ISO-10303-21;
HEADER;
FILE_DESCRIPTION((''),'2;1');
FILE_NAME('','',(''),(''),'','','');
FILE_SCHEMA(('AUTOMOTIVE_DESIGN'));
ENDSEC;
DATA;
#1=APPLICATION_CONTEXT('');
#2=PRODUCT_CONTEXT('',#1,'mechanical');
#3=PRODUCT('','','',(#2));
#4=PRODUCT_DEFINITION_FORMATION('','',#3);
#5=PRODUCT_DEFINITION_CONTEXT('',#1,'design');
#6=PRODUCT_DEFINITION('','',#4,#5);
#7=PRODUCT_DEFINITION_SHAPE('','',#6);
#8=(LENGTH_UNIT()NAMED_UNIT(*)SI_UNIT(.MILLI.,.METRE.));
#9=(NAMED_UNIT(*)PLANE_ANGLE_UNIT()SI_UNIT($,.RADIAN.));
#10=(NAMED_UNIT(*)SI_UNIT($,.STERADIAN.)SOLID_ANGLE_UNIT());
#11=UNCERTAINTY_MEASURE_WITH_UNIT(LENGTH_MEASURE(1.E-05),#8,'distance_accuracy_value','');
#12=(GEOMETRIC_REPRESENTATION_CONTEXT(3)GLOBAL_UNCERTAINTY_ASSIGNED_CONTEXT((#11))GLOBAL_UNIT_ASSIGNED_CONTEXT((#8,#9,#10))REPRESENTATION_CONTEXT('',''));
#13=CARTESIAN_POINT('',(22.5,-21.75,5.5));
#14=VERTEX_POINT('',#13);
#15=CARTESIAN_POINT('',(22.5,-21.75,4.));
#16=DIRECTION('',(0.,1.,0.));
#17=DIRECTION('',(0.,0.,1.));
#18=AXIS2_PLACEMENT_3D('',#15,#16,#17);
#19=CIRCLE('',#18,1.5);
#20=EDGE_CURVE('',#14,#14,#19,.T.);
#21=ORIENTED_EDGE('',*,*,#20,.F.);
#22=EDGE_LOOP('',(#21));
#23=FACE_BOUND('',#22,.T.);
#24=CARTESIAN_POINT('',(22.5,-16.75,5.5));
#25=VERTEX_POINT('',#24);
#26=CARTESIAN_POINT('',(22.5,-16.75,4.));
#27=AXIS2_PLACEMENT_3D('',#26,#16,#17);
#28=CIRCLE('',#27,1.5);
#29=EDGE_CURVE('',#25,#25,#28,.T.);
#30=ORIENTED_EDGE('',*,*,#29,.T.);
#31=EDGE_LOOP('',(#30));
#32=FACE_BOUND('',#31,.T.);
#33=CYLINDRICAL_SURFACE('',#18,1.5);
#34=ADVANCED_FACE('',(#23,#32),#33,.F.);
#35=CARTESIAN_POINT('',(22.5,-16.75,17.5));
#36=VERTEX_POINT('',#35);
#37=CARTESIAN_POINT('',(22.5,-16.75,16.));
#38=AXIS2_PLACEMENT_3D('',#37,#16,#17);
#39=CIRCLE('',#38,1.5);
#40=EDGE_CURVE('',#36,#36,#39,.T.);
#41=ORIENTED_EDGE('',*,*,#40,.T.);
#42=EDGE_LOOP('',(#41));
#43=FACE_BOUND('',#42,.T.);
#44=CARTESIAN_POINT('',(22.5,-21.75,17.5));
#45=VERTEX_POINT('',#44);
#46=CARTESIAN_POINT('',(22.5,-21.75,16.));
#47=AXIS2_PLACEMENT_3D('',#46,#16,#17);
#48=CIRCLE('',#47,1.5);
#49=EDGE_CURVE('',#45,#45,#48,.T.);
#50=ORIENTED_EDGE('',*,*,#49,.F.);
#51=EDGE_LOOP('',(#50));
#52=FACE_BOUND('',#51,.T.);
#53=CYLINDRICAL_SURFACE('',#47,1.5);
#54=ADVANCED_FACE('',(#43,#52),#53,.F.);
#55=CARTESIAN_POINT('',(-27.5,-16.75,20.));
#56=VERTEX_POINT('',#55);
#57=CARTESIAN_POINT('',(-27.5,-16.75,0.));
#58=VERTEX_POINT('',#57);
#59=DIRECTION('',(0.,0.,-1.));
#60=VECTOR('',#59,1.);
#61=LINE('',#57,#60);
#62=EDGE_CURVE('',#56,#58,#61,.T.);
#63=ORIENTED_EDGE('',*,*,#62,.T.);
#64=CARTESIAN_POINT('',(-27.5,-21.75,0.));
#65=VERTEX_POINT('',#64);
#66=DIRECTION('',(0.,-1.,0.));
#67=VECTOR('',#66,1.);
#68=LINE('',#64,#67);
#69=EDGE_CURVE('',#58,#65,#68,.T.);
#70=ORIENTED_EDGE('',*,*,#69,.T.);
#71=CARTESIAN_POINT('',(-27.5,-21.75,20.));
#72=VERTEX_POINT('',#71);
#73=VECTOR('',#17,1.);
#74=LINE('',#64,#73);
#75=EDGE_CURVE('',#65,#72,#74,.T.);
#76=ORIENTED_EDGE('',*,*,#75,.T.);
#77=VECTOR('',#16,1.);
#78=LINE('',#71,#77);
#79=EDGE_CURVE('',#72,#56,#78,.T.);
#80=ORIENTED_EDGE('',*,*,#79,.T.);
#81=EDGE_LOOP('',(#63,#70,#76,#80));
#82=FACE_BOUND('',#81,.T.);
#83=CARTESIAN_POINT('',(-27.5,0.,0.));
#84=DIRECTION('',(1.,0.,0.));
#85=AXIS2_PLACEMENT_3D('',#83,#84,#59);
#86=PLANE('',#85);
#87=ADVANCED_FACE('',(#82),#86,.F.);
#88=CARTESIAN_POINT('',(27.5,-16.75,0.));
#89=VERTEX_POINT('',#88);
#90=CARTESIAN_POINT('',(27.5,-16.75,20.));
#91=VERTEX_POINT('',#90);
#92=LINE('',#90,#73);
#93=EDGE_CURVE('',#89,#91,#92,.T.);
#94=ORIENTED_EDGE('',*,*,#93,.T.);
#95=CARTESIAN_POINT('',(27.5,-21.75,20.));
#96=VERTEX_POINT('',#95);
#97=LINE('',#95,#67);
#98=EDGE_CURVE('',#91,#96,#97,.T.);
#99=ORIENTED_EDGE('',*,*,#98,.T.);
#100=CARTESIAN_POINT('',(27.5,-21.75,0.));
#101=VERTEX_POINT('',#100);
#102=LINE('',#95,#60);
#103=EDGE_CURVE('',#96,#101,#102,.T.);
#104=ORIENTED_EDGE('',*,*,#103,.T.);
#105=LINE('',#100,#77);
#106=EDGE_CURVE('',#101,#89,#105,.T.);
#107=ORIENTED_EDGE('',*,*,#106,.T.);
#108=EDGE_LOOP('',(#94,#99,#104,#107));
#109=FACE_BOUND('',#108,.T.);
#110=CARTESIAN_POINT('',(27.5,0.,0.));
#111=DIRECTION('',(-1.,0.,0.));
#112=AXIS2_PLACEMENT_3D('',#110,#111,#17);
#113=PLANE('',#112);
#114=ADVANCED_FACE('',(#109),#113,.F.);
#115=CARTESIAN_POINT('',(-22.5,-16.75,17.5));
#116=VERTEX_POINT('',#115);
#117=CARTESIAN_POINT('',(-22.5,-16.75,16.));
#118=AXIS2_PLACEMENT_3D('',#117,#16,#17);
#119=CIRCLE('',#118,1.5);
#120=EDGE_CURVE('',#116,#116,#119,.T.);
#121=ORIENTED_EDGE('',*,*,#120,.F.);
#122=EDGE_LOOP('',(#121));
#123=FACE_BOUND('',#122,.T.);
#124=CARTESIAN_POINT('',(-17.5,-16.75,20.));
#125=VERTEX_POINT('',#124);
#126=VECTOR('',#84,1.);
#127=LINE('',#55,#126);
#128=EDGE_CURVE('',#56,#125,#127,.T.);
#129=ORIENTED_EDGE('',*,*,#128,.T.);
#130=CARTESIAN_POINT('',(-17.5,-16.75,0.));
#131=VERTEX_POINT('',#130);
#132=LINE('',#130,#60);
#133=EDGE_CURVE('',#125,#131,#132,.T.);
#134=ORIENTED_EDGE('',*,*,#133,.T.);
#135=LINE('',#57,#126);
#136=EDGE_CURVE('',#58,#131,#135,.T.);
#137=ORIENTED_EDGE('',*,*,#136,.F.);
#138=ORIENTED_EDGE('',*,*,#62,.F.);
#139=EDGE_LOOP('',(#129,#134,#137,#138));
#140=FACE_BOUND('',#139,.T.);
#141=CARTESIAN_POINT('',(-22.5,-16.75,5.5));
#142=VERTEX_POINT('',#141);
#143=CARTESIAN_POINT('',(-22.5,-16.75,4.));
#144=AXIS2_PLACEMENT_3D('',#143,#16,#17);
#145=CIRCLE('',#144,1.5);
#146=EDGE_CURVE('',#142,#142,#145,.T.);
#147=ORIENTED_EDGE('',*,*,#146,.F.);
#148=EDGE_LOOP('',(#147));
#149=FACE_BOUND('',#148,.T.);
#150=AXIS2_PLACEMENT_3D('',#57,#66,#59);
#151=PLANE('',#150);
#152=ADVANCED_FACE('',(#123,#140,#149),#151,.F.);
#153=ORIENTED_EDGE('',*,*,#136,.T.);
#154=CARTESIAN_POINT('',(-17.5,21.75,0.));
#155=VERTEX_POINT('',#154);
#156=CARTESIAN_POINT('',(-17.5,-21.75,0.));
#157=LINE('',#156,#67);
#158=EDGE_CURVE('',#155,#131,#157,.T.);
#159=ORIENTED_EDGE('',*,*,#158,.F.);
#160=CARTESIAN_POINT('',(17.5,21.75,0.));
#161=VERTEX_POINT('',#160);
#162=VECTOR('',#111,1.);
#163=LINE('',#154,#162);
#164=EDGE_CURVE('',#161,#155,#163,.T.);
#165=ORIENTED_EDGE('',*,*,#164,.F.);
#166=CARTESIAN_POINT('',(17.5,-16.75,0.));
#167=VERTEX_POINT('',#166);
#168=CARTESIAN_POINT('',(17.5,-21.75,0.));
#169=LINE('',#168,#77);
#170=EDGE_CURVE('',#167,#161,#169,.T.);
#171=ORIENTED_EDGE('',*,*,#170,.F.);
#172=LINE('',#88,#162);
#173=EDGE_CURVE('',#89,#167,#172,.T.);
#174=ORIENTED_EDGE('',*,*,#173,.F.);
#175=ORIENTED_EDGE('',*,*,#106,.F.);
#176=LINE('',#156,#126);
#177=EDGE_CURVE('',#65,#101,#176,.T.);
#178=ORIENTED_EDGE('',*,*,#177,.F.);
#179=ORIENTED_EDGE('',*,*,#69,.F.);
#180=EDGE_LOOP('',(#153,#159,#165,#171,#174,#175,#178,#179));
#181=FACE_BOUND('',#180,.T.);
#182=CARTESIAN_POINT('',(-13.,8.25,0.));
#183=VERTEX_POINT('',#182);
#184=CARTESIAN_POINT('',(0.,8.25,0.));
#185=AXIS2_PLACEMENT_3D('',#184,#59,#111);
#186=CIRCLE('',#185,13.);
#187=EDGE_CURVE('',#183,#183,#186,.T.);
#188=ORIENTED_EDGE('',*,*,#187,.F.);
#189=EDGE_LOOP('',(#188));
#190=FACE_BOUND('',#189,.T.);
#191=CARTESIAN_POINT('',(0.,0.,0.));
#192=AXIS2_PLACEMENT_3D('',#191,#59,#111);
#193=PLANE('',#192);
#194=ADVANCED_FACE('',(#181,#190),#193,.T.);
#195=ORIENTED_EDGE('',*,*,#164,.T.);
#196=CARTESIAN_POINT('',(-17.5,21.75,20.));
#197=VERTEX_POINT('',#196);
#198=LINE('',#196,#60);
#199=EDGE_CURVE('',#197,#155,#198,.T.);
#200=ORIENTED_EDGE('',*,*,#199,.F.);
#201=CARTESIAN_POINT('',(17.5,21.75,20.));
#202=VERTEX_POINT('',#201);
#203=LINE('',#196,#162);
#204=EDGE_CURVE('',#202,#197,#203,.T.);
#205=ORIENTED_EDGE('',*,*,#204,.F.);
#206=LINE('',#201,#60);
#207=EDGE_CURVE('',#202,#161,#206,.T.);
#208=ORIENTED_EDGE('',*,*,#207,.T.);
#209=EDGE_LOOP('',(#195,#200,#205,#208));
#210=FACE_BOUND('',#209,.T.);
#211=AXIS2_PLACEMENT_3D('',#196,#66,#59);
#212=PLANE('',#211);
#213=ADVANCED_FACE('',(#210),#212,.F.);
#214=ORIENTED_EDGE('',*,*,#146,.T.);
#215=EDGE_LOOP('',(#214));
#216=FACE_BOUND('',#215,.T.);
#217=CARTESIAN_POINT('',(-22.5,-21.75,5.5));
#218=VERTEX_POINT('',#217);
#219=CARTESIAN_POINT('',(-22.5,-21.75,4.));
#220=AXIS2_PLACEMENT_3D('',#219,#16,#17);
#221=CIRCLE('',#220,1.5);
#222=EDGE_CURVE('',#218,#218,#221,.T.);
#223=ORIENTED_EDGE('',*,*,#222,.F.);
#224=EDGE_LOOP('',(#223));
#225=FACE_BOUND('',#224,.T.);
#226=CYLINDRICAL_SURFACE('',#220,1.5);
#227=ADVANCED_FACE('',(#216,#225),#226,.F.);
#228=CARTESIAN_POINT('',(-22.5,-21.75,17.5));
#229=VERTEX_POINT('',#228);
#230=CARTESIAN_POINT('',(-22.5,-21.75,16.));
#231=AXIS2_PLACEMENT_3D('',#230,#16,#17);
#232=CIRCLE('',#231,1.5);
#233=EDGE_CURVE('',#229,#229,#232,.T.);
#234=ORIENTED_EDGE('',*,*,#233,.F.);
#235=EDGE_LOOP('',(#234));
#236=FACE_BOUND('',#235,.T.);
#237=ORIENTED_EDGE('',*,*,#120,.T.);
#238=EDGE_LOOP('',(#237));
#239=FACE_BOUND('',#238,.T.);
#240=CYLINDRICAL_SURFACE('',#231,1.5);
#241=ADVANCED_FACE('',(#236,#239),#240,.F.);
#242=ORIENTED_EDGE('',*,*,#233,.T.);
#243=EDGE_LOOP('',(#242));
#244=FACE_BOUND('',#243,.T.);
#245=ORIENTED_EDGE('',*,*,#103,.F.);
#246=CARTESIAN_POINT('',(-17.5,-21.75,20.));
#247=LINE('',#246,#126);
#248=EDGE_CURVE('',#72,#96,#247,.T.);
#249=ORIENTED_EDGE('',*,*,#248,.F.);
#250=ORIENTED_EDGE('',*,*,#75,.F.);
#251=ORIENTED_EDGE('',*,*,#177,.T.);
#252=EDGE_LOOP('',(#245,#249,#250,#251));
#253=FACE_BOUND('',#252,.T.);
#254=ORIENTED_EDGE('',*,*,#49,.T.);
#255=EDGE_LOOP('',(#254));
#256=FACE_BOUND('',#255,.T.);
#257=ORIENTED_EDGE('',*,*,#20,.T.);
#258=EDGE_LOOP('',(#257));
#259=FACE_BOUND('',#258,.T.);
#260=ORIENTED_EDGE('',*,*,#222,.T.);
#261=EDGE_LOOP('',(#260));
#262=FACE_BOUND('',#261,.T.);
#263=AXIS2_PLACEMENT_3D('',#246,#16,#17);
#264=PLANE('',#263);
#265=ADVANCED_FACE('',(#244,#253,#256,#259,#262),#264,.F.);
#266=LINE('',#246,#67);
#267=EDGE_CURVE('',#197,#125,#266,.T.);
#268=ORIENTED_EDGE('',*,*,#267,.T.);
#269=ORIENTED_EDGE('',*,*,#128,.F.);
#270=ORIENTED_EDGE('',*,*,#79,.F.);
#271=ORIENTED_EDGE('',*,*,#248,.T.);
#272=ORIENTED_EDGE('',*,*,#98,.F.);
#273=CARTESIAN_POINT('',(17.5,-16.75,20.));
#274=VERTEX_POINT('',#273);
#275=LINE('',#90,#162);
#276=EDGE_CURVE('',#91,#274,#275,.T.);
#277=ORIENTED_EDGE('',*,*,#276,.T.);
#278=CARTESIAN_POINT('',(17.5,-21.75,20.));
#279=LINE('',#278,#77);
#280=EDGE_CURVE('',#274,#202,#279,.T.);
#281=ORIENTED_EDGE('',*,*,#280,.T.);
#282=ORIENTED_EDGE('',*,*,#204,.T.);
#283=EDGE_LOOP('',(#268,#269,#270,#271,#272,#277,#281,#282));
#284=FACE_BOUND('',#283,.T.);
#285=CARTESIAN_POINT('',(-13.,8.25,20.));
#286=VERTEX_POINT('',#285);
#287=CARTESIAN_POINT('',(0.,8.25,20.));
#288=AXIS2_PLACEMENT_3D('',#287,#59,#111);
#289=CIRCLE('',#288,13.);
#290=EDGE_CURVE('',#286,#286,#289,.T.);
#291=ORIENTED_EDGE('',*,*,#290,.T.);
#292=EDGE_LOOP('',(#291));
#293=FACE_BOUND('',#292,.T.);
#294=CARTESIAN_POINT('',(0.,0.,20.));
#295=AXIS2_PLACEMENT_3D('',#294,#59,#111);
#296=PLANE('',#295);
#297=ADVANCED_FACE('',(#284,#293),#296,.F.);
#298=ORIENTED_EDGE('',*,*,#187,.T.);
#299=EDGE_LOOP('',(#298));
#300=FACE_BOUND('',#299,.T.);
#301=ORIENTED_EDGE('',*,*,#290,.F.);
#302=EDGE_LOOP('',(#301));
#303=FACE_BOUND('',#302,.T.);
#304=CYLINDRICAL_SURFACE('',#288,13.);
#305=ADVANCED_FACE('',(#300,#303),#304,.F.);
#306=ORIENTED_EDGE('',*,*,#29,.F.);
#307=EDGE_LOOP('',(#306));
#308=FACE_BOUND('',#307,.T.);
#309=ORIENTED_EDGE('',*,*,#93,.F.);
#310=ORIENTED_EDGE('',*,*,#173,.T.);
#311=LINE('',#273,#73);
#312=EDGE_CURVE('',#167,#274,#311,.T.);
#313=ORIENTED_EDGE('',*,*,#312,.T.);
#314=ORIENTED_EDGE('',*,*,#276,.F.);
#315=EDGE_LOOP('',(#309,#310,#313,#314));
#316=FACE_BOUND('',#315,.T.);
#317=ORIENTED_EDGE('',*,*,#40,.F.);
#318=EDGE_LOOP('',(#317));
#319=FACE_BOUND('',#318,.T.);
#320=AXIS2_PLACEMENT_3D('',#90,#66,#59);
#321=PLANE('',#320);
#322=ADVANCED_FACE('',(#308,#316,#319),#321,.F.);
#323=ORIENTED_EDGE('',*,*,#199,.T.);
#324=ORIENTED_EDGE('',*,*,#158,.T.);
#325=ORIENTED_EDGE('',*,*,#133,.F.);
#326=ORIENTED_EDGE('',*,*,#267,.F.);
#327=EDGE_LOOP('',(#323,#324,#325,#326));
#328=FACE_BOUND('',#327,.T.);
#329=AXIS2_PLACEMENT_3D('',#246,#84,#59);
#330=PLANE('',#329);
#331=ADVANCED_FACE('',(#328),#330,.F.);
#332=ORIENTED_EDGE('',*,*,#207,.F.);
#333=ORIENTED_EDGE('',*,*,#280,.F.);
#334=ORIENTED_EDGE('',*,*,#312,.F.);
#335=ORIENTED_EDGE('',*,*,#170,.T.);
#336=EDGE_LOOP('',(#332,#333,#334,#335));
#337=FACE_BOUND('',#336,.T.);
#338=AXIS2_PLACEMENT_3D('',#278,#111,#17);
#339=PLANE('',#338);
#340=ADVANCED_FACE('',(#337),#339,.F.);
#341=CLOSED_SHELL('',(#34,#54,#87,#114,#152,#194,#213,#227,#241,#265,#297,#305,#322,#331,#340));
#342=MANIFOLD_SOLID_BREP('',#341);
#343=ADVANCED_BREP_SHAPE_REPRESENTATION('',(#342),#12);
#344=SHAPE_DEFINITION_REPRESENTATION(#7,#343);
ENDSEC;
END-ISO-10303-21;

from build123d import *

# Parameters (mm, degrees)
SKETCH_1_W          = 35
SKETCH_1_H          = 43.5
EXTRUDE_1_DEPTH     = 20
SKETCH_2_W          = 20
SKETCH_2_H          = 5
EXTRUDE_2_DEPTH     = 10
SKETCH_3_W          = 20
SKETCH_3_H          = 5
EXTRUDE_3_DEPTH     = 10
SKETCH_4_R          = 1.5
CUT_EXTRUDE_2_DEPTH = 5
SKETCH_5_R          = 13
CUT_EXTRUDE_3_DEPTH = 20


with BuildPart() as part:
    # Эскиз1 → Бобышка-Вытянуть1 (new body)
    with BuildSketch(Plane.XY):
        Rectangle(SKETCH_1_W, SKETCH_1_H)
    extrude(amount=EXTRUDE_1_DEPTH)

    # Эскиз2 → Бобышка-Вытянуть2 (add)
    with BuildSketch(Plane(origin=(17.5, 0, 0), x_dir=(0, 0, -1), z_dir=(1, 0, 0))):
        with Locations((-10, -19.25)):
            Rectangle(SKETCH_2_W, SKETCH_2_H)
    extrude(amount=EXTRUDE_2_DEPTH)

    # Эскиз3 → Бобышка-Вытянуть3 (add)
    with BuildSketch(Plane.ZY.offset(17.5)):
        with Locations((10, -19.25)):
            Rectangle(SKETCH_3_W, SKETCH_3_H)
    extrude(amount=EXTRUDE_3_DEPTH)

    # Эскиз4 → Вырез-Вытянуть2 (cut)
    with BuildSketch(Plane(origin=(0, -16.75, 0), x_dir=(1, 0, 0), z_dir=(0, 1, 0))):
        with Locations((-22.5, -16)):
            Circle(SKETCH_4_R)
        with Locations((-22.5, -4)):
            Circle(SKETCH_4_R)
        with Locations((22.5, -16)):
            Circle(SKETCH_4_R)
        with Locations((22.5, -4)):
            Circle(SKETCH_4_R)
    extrude(amount=-CUT_EXTRUDE_2_DEPTH, mode=Mode.SUBTRACT)

    # Эскиз5 → Вырез-Вытянуть3 (cut)
    with BuildSketch(Plane(origin=(0, 0, 0), x_dir=(-1, 0, 0), z_dir=(0, 0, -1))):
        with Locations((0, 8.25)):
            Circle(SKETCH_5_R)
    extrude(amount=-CUT_EXTRUDE_3_DEPTH, mode=Mode.SUBTRACT)


solid = part.part
